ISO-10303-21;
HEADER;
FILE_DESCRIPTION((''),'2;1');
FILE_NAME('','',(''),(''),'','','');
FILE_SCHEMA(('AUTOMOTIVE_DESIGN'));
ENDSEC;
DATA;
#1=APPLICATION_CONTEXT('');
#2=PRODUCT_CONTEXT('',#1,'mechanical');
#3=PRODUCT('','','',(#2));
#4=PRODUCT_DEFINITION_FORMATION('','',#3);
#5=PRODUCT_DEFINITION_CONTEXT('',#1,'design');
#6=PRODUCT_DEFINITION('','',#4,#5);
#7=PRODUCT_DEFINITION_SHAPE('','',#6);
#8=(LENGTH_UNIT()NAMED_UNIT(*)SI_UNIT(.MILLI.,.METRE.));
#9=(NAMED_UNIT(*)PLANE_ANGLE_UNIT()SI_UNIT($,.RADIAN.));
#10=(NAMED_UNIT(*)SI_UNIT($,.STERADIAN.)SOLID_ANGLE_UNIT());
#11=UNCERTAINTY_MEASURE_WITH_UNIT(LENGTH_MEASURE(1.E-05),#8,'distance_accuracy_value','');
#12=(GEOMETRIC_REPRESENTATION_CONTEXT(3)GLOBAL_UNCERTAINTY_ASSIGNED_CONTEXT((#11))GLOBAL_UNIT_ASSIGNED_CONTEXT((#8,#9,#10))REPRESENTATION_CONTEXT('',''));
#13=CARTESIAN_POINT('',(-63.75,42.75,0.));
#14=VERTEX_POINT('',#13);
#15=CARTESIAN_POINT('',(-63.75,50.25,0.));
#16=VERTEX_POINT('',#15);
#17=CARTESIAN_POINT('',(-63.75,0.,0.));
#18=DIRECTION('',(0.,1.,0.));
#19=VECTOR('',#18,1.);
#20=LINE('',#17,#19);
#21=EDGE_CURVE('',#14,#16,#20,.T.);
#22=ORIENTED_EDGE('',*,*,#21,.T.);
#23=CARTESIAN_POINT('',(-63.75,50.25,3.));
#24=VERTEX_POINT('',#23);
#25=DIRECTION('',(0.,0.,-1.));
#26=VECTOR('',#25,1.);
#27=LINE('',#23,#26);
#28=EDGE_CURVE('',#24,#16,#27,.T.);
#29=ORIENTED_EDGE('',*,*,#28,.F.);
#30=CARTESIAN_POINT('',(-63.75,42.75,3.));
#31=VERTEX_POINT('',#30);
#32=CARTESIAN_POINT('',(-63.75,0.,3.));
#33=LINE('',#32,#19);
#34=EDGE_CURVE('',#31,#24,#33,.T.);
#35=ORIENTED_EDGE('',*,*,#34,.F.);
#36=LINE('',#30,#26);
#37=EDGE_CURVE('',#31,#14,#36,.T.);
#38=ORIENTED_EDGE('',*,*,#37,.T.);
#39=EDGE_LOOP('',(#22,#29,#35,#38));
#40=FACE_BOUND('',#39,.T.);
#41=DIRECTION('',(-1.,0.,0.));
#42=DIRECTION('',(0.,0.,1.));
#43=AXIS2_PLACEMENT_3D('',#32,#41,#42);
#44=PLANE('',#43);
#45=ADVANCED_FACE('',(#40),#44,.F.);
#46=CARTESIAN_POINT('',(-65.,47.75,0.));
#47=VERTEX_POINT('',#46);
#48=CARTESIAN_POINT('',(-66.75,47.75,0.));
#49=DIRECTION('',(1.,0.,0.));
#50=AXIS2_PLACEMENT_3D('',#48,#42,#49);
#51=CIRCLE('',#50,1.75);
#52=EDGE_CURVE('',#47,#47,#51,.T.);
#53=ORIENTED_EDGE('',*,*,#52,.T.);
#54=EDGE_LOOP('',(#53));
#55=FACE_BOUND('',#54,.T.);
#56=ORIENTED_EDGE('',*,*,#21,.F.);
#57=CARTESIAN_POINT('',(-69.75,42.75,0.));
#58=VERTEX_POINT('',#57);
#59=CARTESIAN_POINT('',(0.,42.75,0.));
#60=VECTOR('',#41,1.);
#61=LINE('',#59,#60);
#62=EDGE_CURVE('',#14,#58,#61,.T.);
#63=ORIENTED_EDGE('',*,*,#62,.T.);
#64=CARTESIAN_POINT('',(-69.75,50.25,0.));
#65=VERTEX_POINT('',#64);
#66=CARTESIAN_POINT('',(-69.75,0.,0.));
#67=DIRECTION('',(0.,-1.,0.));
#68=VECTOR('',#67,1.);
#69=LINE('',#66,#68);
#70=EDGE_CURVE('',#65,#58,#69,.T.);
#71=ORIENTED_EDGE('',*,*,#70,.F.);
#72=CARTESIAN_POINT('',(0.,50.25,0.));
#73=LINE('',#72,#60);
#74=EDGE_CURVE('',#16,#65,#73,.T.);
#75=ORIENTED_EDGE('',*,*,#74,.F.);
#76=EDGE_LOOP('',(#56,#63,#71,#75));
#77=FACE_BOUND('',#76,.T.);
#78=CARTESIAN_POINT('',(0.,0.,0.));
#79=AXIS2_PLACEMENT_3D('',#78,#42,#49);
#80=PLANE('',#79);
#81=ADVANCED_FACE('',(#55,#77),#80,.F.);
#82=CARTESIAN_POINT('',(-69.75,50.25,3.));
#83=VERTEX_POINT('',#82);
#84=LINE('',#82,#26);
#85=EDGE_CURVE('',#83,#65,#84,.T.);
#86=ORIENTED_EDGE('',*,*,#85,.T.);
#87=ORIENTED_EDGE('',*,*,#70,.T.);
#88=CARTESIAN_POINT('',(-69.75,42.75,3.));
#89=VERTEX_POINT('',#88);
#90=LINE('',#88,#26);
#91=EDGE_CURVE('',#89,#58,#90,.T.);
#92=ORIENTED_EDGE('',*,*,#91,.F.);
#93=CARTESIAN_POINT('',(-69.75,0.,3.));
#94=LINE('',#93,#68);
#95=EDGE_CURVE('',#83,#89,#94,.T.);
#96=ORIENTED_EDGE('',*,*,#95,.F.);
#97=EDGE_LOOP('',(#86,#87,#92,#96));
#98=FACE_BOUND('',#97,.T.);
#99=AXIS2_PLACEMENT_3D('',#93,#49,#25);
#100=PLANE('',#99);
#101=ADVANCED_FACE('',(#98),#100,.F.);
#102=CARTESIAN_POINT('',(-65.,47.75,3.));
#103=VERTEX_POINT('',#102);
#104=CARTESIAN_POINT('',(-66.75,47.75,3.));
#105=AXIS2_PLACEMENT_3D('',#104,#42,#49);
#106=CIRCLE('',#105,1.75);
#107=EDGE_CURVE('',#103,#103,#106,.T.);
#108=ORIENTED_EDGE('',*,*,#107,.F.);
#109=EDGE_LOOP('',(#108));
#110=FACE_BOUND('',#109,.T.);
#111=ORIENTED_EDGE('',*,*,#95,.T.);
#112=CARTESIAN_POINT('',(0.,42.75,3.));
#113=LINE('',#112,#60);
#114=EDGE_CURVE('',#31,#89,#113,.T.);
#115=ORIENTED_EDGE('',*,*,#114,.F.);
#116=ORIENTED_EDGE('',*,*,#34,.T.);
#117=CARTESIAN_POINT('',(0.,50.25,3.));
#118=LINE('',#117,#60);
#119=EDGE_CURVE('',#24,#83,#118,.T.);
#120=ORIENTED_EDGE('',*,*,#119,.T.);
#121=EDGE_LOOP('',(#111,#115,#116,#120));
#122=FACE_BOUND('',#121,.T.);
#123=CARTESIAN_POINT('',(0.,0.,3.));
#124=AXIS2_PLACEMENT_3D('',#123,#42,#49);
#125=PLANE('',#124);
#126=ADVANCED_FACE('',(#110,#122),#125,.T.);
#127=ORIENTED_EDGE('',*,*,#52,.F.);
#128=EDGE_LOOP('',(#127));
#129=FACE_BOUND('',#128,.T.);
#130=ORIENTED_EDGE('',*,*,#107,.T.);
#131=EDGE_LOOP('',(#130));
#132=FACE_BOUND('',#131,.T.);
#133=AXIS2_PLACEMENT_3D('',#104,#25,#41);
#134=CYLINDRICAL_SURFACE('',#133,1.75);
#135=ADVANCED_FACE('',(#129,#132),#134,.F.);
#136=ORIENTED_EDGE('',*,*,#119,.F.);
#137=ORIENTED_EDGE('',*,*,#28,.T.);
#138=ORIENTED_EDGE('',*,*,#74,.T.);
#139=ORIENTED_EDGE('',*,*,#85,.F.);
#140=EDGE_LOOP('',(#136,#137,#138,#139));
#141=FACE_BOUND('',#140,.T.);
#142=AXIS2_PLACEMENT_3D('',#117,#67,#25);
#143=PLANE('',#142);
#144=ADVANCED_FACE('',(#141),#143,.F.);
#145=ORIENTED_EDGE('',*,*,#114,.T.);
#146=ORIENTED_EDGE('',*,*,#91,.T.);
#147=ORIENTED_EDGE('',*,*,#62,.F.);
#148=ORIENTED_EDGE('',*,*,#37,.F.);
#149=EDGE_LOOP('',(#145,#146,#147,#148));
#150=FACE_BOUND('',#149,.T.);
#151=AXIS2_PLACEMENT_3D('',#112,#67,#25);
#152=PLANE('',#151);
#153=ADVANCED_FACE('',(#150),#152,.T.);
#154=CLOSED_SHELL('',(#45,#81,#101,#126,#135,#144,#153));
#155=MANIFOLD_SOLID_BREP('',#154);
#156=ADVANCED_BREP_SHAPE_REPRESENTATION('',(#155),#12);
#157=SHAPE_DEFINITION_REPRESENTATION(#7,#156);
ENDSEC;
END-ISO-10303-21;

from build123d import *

# Parameters (mm, degrees)
SKETCH2_W           = 6
SKETCH2_H           = 7.5
SKETCH2_R           = 1.75
BOSS_EXTRUDE1_DEPTH = 3


with BuildPart() as part:
    # Sketch2 → Boss-Extrude1 (new body)
    with BuildSketch(Plane.XY):
        with Locations((-66.75, 46.5)):
            Rectangle(SKETCH2_W, SKETCH2_H)
        with Locations((-66.75, 47.75)):
            Circle(SKETCH2_R, mode=Mode.SUBTRACT)
    extrude(amount=BOSS_EXTRUDE1_DEPTH)


solid = part.part
